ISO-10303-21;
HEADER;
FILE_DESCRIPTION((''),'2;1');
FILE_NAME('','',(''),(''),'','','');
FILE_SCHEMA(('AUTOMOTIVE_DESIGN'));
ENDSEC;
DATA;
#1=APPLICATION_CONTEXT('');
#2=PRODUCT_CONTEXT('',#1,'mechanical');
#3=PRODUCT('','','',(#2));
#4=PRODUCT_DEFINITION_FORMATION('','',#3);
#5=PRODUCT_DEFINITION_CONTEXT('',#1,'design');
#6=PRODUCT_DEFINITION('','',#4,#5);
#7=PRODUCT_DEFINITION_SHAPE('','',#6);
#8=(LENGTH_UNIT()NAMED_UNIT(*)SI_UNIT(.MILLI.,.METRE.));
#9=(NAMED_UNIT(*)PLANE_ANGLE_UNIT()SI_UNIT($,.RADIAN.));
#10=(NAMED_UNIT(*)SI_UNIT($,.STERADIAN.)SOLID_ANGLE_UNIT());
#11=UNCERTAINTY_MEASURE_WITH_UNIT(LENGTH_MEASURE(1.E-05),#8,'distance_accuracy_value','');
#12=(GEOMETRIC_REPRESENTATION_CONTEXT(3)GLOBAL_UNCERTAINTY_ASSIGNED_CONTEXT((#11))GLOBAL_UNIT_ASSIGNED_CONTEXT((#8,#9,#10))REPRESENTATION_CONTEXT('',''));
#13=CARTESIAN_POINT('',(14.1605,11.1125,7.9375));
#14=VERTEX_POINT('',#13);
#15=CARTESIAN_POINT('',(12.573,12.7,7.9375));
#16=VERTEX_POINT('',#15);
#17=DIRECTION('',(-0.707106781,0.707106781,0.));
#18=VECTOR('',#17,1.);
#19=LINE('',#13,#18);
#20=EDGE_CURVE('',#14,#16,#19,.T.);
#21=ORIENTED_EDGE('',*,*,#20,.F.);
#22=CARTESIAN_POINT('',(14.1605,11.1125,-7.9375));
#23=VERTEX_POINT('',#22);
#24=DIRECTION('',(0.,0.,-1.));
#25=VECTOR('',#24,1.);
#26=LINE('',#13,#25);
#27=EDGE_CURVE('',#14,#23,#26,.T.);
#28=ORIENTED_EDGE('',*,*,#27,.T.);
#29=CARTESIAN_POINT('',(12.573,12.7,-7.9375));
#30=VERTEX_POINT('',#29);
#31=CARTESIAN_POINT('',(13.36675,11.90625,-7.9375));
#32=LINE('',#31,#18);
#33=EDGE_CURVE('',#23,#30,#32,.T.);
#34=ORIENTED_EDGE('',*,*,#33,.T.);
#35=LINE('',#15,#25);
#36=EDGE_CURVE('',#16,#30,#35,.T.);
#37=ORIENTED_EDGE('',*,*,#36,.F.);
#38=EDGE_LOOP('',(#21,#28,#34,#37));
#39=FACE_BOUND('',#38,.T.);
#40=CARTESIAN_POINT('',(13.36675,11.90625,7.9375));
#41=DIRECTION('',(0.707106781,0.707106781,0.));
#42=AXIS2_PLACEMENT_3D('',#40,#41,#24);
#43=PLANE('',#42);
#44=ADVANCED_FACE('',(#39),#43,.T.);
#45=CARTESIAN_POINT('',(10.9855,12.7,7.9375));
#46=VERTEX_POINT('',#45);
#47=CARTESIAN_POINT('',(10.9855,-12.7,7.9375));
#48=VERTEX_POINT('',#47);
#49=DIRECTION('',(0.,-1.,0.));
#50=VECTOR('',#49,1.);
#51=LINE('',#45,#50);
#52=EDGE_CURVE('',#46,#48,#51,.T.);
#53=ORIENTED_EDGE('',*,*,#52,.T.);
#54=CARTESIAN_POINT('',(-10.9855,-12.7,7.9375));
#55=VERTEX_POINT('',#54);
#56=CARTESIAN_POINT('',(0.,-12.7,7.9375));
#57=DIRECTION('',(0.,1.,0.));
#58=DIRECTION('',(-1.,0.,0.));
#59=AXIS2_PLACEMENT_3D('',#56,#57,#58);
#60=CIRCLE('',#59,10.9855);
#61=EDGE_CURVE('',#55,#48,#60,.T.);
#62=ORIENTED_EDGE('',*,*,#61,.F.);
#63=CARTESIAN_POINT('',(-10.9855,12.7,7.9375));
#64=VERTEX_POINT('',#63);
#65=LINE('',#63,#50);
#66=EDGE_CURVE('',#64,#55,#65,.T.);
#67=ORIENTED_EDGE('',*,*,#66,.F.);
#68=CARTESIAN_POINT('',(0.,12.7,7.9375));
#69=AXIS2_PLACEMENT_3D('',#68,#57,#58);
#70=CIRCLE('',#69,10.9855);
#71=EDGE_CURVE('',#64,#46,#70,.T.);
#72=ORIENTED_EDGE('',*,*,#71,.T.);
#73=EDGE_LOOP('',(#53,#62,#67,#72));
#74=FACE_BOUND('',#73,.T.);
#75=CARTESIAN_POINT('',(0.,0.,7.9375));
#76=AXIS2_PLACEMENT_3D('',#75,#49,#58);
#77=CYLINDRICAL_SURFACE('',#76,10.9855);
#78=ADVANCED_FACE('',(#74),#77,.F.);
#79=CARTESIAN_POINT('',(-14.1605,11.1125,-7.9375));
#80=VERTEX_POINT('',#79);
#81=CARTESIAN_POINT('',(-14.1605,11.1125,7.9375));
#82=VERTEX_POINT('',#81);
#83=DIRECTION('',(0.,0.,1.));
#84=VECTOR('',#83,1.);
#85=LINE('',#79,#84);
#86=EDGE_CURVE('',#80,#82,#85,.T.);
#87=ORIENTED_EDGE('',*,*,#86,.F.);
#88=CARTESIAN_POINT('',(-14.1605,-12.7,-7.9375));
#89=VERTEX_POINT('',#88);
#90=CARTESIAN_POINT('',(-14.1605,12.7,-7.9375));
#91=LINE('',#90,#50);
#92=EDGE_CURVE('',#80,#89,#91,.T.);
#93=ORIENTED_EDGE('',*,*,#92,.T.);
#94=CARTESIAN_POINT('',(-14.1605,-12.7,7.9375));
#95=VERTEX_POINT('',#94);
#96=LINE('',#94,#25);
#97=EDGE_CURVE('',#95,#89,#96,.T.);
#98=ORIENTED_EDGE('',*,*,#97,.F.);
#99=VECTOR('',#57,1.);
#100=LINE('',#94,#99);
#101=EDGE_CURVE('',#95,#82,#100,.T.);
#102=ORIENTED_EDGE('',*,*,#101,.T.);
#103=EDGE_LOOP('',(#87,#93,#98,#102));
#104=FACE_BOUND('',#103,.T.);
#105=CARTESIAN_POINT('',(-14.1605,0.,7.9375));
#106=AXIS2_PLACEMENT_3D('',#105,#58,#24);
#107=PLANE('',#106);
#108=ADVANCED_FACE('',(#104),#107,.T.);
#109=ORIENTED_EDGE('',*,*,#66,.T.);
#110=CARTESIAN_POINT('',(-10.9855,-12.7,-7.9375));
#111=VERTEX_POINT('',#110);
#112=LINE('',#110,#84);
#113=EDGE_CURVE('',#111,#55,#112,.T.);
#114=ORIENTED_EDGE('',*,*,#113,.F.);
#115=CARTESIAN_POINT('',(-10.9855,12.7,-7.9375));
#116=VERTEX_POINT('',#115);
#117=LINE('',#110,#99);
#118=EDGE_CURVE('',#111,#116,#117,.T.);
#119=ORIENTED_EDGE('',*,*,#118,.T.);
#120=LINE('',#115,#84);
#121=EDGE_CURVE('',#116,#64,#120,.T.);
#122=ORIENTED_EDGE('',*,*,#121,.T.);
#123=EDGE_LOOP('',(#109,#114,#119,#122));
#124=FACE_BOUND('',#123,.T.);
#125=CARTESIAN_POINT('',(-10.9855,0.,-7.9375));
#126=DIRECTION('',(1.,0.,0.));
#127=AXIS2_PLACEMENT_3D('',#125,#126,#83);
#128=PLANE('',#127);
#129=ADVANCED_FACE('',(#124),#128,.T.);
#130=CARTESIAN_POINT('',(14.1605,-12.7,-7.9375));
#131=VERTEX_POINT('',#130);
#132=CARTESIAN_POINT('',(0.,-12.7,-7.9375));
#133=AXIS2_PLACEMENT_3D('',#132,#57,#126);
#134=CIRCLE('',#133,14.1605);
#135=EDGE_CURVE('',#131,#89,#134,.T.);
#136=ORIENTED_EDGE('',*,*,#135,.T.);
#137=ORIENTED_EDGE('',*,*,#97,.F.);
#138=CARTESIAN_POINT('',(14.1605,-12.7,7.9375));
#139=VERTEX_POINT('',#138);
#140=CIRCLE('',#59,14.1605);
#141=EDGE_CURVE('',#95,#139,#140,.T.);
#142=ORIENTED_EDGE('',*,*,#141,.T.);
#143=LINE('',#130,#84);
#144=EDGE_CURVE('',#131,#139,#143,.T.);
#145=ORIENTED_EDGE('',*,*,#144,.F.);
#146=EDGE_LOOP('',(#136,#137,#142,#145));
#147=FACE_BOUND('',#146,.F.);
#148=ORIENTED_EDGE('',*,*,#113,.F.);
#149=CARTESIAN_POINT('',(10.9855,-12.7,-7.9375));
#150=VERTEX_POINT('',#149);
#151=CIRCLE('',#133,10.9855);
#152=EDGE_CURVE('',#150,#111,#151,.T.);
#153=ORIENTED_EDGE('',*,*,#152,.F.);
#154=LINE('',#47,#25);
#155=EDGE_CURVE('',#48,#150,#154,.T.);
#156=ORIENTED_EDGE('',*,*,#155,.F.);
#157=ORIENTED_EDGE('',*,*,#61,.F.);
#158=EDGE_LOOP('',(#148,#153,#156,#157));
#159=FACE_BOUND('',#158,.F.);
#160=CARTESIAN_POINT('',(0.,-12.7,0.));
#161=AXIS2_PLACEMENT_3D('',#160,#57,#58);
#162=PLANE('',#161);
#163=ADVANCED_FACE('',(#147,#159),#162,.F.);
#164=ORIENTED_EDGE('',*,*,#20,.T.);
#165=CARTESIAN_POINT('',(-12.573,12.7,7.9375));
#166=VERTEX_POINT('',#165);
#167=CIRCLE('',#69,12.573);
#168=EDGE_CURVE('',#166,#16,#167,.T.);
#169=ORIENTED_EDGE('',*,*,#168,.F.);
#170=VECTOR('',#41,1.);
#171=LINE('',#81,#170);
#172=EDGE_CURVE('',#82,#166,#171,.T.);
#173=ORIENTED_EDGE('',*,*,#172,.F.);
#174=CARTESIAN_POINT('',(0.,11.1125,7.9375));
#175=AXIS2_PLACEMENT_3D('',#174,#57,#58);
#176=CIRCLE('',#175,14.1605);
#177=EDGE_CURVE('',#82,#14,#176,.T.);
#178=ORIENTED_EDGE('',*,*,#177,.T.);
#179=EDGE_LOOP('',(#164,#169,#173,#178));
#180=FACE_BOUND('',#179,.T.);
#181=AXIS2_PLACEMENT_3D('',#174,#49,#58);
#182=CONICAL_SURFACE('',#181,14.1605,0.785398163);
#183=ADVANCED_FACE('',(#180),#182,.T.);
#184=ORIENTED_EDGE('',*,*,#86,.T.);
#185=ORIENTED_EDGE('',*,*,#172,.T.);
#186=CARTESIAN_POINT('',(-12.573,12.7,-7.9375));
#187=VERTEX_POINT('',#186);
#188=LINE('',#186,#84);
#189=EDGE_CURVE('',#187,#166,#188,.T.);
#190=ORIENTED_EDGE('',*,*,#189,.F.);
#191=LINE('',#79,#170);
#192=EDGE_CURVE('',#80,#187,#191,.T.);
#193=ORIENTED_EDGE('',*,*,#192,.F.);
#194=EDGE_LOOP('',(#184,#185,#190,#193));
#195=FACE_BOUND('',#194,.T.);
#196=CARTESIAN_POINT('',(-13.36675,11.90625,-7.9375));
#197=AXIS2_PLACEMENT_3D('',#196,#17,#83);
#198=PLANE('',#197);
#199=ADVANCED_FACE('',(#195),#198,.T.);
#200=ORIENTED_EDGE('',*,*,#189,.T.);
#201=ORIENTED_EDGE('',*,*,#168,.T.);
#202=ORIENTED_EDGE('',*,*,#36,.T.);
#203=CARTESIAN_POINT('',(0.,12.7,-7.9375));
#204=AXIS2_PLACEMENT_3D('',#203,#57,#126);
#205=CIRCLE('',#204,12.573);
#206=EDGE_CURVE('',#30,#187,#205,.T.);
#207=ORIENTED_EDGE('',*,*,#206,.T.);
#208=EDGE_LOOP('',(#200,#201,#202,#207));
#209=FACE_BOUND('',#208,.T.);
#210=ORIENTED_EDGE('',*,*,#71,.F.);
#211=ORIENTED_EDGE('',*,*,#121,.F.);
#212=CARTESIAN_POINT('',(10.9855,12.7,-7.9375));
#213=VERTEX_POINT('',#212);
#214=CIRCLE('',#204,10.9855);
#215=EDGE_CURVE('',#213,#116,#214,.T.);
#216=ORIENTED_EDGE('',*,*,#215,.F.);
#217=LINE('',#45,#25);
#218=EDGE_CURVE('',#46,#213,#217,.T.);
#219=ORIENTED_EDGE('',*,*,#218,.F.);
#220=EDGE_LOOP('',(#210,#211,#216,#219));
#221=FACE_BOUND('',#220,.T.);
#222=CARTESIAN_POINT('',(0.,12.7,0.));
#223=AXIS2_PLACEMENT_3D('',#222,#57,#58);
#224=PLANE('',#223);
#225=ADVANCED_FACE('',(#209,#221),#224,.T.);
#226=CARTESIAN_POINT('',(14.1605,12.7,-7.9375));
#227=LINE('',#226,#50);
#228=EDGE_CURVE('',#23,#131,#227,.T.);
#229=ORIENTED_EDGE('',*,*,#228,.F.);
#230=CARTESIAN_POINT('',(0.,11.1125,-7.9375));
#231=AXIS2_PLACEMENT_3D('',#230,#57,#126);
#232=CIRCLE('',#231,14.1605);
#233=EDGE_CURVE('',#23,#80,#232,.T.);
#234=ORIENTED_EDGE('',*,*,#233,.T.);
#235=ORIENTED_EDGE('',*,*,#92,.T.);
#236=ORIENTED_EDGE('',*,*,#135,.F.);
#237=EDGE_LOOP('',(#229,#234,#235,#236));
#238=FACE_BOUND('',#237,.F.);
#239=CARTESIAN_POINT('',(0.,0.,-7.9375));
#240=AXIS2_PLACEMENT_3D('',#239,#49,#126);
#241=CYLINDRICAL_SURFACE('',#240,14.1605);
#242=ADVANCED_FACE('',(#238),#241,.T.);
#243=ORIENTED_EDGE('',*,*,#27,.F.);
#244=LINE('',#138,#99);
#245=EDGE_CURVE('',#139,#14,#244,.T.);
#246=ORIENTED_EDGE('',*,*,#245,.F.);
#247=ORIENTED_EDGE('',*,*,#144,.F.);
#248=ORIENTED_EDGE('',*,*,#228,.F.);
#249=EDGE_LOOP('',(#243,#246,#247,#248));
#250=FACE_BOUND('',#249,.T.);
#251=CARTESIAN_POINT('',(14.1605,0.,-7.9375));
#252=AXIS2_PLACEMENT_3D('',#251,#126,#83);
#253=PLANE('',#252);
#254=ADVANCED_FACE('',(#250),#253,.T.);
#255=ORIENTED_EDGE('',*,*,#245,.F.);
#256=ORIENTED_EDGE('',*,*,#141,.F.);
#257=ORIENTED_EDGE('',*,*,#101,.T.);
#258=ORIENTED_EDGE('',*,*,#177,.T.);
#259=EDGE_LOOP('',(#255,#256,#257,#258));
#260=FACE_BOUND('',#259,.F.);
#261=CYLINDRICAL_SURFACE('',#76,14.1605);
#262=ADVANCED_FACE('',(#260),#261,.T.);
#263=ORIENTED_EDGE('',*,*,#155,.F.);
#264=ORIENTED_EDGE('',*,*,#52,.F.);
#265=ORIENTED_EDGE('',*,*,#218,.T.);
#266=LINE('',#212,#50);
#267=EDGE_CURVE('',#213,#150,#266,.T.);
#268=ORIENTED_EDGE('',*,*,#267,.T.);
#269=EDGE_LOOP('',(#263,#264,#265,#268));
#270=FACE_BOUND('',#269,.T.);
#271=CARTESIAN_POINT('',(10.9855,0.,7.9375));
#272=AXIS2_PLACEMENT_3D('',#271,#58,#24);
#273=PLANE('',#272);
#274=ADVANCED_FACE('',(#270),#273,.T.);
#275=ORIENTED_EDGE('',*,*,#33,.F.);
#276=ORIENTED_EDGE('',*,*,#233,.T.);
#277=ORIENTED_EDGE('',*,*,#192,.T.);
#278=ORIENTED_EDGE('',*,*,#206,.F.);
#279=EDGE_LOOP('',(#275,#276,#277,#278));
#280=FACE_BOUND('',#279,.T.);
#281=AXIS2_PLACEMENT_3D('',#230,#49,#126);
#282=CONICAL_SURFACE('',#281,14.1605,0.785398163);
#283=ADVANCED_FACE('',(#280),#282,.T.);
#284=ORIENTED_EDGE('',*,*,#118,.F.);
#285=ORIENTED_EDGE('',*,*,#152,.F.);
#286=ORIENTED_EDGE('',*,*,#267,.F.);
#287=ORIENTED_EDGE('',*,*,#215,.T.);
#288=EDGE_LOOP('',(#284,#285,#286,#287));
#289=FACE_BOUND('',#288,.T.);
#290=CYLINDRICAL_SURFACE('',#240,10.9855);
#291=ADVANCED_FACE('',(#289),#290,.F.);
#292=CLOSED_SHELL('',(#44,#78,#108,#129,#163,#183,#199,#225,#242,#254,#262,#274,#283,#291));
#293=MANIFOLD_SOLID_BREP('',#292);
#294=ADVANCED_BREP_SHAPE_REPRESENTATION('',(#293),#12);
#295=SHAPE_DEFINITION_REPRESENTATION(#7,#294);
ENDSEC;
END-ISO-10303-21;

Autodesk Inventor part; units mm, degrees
ref_plane "YZ Plane" through (0, 0, 0) normal (1, 0, 0) x (0, 1, 0)
ref_plane "XZ Plane" through (0, 0, 0) normal (0, 1, 0) x (-1, 0, 0)
ref_plane "XY Plane" through (0, 0, 0) normal (0, 0, 1) x (1, 0, 0)
sketch "Sketch1" plane through (0, 0, 0) normal (0, 1, 0) x (-1, 0, 0)
  line L0 (0, -7.9375) -> (0, 7.9375) construction
  line L1 (17.4625, -7.9375) -> (17.4625, 7.9375) construction
  line L2 (-17.4625, 7.9375) -> (-17.4625, -7.9375) construction
  arc A0 (-17.4625, -7.9375) -> (17.4625, -7.9375) centre (0, -7.9375) ccw construction
  arc A1 (17.4625, 7.9375) -> (-17.4625, 7.9375) centre (0, 7.9375) ccw construction
  line L3 (14.1605, 7.9375) -> (14.1605, -7.9375)
  arc A2 (-14.1605, -7.9375) -> (14.1605, -7.9375) centre (0, -7.9375) ccw
  line L4 (-14.1605, -7.9375) -> (-14.1605, 7.9375)
  arc A3 (14.1605, 7.9375) -> (-14.1605, 7.9375) centre (0, 7.9375) ccw
  line L5 (10.9855, -7.9375) -> (10.9855, 7.9375)
  arc A4 (10.9855, 7.9375) -> (-10.9855, 7.9375) centre (0, 7.9375) ccw
  line L6 (-10.9855, 7.9375) -> (-10.9855, -7.9375)
  arc A5 (-10.9855, -7.9375) -> (10.9855, -7.9375) centre (0, -7.9375) ccw
  point P0 (0, 0)
  point P1 (0, 25.4)
  point P2 (0, -25.4)
  dimension "d1" = 34.925
  dimension "d2" = 3.302
  dimension "d3" = 50.8
  dimension "d15" = 3.175
extrude "Extrusion1" add sketch "Sketch1" along normal mid plane 25.4
chamfer "Chamfer2" distance 1.5875 angle 45 4 edges at (0, 12.7, 22.098) (14.1605, 12.7, 0) (0, 12.7, -22.098) (-14.1605, 12.7, 0)
properties part number "WL-006" material "Aluminum 6061"
